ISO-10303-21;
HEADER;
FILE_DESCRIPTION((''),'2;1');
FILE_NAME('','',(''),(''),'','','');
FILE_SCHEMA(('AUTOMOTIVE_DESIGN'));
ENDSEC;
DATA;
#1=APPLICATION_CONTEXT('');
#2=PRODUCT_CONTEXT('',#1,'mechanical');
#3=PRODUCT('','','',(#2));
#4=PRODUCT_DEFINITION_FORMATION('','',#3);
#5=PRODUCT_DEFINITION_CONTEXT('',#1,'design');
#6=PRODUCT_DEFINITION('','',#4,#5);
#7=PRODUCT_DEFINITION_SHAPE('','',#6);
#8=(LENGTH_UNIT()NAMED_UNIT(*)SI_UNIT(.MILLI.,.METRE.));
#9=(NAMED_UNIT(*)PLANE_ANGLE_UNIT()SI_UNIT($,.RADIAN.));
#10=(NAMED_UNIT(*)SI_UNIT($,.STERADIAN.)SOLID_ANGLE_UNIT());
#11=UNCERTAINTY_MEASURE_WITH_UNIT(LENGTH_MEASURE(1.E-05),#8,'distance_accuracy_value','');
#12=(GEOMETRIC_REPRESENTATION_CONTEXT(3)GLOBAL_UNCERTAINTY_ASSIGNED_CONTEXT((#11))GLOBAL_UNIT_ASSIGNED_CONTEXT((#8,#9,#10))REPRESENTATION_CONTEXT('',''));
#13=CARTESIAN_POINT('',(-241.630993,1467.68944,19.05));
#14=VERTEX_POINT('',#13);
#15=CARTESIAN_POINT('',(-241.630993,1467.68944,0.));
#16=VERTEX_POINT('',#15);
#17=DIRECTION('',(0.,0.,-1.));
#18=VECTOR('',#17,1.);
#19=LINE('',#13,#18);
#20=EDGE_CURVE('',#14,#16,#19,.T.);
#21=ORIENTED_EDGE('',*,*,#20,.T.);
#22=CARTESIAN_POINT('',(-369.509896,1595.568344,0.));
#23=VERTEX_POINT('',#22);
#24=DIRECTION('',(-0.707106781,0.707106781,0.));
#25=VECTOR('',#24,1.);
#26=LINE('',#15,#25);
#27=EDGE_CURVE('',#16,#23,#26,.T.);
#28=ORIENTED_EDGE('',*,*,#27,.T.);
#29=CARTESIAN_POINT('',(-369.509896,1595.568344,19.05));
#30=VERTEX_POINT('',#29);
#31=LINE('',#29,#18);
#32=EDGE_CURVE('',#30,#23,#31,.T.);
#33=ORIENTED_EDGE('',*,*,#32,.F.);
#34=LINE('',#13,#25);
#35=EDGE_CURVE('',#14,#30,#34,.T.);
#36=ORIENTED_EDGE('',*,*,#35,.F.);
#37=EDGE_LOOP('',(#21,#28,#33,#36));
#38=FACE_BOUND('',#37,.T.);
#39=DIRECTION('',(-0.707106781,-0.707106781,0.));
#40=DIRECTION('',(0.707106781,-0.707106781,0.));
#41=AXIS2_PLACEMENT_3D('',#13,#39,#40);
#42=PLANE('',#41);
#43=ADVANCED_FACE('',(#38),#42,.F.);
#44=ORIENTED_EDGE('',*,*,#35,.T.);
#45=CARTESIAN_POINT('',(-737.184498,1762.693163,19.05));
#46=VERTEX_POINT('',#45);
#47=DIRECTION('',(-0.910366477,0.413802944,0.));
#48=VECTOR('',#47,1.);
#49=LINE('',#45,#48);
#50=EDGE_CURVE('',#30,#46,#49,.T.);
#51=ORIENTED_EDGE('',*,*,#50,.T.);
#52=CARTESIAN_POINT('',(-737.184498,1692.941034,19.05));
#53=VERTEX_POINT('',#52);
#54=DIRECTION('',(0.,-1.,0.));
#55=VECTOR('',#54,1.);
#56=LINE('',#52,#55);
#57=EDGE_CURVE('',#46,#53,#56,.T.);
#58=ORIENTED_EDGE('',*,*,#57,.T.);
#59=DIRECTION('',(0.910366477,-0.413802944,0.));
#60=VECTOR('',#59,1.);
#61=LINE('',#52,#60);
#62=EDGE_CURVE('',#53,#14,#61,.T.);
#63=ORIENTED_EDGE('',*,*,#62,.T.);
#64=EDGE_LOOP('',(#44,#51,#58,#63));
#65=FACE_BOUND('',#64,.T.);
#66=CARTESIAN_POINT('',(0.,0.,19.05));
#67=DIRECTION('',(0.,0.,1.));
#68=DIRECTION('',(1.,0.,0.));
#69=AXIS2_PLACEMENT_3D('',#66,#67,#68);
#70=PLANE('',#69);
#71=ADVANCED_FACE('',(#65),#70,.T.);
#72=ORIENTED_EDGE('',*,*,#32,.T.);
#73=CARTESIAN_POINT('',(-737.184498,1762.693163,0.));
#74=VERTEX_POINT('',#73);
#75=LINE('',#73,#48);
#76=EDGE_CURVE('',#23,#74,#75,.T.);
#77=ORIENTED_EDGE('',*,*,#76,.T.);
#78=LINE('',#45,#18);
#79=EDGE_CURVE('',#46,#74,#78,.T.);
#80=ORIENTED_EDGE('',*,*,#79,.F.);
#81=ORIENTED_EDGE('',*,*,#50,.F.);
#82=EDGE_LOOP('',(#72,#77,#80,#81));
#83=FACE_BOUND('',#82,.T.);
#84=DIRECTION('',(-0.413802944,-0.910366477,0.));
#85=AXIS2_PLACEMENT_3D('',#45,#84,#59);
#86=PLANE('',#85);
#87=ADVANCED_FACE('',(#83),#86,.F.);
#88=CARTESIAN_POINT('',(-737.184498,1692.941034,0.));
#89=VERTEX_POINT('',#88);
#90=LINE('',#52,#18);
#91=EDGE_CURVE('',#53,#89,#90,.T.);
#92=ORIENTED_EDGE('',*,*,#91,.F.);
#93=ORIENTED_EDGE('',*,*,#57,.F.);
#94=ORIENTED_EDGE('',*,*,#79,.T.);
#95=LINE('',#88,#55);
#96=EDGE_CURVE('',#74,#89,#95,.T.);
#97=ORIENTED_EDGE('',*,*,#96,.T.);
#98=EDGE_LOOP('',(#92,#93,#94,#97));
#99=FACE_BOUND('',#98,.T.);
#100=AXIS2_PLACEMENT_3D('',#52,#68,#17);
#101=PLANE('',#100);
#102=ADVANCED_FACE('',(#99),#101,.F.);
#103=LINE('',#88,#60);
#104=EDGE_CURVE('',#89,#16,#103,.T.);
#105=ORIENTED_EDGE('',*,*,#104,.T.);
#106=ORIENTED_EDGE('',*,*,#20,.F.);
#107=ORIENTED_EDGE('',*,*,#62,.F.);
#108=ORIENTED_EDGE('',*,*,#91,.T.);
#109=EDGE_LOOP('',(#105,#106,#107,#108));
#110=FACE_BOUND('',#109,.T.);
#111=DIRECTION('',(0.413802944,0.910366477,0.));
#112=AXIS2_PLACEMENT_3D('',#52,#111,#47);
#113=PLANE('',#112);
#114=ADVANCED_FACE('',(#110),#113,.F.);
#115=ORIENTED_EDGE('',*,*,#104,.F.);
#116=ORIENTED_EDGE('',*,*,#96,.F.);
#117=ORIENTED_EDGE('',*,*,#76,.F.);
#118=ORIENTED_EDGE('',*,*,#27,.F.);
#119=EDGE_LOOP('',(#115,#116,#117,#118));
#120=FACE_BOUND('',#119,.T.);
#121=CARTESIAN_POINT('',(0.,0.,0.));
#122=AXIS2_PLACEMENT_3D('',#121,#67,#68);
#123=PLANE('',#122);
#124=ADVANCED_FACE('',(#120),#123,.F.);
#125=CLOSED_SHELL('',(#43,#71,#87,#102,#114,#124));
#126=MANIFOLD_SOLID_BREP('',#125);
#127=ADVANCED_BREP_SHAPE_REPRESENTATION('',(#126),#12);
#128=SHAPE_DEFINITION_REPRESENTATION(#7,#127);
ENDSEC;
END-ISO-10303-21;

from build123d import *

# Parameters (mm, degrees)
BOSS_EXTRUDE1_DEPTH = 19.05


with BuildPart() as part:
    # Sketch5 → Boss-Extrude1 (new body)
    with BuildSketch(Plane.XY):
        Polygon((-737.18449825, 1692.941033519), (-737.18449825, 1762.693162548), (-369.50989641, 1595.56834353), (-241.630993189, 1467.68944031), align=None)
    extrude(amount=BOSS_EXTRUDE1_DEPTH)


solid = part.part
